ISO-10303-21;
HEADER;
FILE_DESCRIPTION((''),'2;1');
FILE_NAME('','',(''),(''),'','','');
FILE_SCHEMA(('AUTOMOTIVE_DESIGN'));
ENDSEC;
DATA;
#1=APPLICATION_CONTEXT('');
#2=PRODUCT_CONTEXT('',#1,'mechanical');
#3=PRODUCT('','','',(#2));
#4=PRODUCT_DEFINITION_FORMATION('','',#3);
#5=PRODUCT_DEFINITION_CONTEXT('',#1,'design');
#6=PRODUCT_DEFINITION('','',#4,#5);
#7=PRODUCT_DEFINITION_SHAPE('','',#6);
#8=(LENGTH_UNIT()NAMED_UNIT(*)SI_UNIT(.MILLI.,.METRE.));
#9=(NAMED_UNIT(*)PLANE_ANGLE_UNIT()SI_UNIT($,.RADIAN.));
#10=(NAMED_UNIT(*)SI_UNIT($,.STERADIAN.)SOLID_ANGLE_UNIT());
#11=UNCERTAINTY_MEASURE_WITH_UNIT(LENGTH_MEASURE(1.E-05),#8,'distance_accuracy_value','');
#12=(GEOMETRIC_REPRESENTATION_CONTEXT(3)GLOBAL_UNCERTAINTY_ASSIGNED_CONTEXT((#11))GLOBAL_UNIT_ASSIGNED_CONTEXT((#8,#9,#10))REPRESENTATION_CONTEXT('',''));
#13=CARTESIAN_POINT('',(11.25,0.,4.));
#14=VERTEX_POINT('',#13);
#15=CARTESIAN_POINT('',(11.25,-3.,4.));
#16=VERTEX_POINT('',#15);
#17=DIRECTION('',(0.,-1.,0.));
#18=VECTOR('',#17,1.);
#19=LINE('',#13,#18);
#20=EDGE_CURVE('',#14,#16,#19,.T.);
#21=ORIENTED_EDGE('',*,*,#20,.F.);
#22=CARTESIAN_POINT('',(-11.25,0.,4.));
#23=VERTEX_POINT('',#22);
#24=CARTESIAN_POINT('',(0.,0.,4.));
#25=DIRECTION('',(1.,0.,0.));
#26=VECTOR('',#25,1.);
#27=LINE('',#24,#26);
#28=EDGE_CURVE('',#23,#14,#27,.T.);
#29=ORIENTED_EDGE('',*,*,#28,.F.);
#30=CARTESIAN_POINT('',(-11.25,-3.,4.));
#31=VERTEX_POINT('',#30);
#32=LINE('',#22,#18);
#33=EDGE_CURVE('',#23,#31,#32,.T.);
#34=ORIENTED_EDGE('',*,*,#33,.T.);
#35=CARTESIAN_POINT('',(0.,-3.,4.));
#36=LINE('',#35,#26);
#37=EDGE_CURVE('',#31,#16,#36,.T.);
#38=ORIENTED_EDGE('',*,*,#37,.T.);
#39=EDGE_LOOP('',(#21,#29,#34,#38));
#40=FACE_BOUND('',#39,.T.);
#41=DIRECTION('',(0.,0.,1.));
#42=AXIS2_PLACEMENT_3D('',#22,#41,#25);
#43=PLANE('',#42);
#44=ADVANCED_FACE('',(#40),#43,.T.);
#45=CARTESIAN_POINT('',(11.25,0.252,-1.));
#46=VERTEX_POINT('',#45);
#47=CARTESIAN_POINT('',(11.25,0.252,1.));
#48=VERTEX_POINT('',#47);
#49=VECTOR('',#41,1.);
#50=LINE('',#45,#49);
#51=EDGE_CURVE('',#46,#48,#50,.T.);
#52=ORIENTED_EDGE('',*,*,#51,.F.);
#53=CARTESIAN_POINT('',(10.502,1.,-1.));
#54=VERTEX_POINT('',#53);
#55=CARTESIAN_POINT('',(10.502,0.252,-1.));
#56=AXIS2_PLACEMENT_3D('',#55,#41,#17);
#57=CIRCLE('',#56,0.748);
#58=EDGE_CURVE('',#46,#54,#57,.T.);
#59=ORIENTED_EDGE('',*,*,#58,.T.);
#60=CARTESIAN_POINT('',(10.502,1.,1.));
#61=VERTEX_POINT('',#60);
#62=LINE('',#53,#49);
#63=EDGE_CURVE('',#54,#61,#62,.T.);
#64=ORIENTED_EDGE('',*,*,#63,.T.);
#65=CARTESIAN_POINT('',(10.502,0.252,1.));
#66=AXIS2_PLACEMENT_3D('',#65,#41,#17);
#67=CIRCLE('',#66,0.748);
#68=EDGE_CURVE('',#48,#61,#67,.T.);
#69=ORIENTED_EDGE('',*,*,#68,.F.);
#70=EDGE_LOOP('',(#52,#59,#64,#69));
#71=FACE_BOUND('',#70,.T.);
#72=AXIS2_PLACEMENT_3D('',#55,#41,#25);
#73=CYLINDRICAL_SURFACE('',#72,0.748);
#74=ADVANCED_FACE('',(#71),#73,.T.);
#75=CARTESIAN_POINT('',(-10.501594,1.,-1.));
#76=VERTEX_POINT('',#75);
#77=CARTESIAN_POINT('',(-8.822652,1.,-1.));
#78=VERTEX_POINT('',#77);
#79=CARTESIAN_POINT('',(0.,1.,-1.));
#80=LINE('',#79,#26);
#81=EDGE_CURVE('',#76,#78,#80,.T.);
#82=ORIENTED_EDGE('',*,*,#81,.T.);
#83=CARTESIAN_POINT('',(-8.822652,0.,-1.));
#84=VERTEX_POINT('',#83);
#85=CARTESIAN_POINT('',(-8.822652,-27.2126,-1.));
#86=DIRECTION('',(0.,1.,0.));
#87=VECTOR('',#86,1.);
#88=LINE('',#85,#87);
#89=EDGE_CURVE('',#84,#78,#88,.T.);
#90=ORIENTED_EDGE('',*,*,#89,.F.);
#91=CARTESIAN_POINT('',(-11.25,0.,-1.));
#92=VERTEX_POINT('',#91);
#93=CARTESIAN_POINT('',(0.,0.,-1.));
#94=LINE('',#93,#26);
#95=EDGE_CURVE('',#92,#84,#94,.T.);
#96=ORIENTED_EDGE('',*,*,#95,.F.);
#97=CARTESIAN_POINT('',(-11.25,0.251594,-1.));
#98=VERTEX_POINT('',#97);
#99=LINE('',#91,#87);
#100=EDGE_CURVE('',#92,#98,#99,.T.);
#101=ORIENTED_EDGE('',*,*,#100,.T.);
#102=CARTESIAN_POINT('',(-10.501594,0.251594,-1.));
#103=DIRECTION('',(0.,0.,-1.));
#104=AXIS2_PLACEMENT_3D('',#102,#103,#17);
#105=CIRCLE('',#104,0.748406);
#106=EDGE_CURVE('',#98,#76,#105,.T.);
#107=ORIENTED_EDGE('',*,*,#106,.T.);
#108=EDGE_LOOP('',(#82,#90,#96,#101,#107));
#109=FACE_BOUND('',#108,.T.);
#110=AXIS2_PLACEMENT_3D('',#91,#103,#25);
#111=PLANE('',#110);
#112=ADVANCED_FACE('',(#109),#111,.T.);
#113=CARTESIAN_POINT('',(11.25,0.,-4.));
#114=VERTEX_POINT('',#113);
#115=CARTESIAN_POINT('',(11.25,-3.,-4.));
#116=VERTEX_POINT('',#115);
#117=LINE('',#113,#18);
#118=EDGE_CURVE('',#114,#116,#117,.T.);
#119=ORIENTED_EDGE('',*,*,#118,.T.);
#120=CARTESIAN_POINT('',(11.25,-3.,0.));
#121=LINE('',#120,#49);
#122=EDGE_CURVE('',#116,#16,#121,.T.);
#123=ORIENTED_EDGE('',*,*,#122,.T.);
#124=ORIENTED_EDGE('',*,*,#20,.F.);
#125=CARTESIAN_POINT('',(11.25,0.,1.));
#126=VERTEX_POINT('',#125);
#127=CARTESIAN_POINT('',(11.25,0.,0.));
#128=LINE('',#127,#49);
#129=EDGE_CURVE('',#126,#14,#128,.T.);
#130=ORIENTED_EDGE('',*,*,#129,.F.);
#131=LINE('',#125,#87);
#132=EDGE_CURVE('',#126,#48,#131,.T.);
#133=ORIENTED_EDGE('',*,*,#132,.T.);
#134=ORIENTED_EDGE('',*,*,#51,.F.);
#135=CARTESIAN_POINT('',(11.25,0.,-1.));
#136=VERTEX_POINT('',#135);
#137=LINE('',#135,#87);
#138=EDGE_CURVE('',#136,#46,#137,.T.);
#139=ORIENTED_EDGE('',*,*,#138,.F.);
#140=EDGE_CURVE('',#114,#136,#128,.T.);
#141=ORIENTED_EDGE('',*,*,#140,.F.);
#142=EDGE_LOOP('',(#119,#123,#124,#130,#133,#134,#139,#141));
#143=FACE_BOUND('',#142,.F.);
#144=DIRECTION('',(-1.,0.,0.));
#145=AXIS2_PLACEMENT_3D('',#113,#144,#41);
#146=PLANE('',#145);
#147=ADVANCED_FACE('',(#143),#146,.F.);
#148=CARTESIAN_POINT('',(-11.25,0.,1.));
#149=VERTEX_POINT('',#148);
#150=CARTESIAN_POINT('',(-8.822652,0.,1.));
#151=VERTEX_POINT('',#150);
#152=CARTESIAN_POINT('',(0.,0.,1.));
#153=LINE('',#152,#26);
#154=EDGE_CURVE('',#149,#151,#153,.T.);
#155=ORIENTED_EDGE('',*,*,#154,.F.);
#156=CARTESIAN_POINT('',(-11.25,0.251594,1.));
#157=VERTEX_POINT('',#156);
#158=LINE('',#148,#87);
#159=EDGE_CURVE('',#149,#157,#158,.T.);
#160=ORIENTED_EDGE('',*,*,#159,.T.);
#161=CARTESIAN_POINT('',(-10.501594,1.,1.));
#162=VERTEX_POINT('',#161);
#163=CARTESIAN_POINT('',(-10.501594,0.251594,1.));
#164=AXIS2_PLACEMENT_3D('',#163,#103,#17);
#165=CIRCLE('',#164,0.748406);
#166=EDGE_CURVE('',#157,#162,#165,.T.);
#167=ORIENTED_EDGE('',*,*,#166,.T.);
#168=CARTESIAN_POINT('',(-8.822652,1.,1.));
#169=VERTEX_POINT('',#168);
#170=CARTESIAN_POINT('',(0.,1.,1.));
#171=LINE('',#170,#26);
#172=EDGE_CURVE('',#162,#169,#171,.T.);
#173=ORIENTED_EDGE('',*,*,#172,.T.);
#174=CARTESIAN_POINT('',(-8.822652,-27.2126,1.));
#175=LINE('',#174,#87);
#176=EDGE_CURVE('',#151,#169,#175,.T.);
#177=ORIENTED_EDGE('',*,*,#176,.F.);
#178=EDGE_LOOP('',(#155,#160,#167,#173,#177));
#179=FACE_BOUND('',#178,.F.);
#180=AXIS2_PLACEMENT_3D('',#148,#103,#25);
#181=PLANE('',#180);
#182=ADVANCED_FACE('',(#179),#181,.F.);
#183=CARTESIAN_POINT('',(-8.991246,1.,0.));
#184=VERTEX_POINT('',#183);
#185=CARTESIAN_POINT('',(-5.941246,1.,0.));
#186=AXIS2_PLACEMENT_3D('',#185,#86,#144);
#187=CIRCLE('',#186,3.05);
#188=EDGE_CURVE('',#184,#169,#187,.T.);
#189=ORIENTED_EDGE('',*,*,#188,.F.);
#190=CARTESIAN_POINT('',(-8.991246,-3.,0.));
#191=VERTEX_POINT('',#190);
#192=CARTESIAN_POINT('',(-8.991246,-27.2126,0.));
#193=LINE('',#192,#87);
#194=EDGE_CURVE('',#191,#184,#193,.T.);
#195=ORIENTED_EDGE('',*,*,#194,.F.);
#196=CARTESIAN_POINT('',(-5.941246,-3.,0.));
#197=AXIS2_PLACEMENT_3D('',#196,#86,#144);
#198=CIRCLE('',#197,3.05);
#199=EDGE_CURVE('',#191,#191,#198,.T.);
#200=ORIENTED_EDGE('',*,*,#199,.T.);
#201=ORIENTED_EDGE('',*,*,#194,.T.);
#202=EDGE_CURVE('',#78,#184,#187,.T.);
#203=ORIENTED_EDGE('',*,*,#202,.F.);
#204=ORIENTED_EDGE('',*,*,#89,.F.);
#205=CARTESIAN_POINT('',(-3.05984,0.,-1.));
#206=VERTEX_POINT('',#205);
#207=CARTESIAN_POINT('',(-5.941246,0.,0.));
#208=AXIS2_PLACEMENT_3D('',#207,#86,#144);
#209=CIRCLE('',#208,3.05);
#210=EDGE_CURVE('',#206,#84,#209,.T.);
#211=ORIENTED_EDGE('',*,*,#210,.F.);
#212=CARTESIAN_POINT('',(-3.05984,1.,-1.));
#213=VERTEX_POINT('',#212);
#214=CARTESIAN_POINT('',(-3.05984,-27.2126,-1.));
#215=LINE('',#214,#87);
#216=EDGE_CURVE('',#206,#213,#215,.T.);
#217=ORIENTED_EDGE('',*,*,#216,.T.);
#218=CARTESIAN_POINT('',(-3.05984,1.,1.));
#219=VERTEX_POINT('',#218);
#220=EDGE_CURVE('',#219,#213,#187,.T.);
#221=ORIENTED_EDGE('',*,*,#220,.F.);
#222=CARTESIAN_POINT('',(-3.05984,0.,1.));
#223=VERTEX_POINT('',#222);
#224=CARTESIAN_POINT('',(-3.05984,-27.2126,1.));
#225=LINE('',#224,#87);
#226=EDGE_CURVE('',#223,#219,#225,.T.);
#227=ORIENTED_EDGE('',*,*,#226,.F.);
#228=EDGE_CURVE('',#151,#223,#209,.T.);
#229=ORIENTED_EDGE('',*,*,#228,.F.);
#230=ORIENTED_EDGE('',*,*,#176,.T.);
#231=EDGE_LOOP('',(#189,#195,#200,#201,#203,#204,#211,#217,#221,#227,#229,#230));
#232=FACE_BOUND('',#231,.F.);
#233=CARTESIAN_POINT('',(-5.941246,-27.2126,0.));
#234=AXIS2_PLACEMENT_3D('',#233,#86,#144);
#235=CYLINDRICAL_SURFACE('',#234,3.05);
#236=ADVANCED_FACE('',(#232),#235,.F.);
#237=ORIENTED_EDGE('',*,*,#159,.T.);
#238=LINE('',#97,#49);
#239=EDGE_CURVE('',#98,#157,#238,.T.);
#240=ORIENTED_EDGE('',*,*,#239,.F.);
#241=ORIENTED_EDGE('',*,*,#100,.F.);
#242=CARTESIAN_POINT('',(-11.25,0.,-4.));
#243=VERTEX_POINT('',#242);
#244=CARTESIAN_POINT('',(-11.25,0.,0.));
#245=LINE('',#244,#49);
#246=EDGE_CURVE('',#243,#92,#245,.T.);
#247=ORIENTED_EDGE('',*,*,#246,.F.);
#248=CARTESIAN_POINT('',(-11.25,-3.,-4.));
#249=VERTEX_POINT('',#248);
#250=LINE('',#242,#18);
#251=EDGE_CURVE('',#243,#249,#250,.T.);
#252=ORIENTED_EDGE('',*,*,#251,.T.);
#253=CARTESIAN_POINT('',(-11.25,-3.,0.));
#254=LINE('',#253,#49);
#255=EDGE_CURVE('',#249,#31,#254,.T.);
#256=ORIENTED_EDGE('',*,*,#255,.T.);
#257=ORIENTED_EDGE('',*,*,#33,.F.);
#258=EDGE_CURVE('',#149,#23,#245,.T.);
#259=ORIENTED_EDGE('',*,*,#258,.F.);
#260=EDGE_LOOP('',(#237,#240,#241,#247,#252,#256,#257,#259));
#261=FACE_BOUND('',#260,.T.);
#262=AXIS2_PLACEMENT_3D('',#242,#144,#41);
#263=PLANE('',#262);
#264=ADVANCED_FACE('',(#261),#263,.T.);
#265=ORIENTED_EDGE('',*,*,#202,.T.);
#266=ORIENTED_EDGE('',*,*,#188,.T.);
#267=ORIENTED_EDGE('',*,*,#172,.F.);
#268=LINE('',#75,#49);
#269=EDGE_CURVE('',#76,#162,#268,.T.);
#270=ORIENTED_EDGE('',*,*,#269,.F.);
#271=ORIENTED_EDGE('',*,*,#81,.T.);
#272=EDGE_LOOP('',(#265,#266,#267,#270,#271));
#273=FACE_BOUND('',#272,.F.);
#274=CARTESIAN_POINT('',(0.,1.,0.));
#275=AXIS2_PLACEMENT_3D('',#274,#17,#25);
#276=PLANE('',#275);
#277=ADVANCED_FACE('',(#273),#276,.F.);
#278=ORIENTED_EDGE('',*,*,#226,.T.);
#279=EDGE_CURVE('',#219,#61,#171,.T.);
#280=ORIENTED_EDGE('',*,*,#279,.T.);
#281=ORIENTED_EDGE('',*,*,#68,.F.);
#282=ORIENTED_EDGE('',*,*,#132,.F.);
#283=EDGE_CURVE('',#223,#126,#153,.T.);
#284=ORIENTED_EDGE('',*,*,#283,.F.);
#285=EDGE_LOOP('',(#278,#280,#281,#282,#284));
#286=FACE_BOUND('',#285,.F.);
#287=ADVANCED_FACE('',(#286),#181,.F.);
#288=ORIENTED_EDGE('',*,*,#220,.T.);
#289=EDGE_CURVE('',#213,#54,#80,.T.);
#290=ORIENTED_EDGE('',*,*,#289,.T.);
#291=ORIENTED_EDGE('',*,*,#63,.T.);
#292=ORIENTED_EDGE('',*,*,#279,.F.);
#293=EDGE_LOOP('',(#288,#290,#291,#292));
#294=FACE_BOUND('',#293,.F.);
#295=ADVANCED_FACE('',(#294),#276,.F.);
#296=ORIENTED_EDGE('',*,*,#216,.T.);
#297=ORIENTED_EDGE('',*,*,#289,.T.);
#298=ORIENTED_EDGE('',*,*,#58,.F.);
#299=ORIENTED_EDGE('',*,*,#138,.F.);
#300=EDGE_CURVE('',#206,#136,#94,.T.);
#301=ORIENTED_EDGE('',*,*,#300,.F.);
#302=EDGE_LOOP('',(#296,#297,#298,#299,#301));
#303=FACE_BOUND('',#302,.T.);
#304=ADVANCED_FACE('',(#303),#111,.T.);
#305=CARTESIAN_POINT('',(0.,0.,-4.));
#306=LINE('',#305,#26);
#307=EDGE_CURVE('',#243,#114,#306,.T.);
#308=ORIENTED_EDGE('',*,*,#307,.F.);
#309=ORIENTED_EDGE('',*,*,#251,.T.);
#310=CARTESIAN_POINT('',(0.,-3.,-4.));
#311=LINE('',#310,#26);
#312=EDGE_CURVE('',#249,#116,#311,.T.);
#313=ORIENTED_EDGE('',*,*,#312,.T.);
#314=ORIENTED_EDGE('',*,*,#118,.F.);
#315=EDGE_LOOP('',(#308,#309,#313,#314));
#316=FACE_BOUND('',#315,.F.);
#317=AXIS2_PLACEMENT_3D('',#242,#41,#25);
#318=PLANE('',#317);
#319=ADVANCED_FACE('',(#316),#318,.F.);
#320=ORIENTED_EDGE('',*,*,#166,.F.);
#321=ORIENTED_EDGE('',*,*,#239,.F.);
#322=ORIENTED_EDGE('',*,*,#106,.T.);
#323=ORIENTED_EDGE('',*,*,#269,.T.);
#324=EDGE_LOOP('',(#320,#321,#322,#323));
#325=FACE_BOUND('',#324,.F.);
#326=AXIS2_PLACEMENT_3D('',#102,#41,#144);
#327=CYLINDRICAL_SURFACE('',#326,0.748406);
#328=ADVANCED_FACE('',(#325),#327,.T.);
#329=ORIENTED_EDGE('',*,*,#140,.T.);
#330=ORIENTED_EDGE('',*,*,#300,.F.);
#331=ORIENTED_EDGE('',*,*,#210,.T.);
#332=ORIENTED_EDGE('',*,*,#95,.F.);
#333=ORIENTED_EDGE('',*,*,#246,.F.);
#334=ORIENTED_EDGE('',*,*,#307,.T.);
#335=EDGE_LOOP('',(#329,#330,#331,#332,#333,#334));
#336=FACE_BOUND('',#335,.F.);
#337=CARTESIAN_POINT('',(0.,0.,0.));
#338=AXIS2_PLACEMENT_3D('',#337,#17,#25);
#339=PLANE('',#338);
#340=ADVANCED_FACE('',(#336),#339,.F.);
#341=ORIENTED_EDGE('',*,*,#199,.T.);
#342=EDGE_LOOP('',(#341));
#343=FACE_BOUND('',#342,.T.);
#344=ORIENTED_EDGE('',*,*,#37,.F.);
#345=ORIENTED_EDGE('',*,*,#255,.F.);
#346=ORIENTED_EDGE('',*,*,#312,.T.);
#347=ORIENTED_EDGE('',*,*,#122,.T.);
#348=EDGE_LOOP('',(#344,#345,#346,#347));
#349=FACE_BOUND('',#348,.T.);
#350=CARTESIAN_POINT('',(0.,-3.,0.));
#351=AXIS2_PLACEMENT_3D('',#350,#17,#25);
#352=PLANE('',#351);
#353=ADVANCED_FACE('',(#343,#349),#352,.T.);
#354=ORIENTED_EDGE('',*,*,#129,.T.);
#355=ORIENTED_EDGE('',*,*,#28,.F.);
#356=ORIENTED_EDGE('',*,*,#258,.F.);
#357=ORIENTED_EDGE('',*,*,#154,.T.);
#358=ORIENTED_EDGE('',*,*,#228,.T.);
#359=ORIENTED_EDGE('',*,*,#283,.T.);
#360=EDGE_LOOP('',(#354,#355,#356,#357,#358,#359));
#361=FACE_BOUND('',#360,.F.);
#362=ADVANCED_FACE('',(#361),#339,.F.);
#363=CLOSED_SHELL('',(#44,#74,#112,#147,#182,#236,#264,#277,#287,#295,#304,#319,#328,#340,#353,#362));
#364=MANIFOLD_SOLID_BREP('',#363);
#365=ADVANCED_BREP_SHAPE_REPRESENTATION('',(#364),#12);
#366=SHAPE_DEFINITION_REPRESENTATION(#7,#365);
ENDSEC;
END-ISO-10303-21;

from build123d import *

# Parameters (mm, degrees)
F0_W     = 22.5
F0_H     = 8
F2_DEPTH = 3
F1_W     = 22.5
F1_H     = 2
F3_DEPTH = 1
F5_D     = 6.1
F6_R     = 0.748406
F7_R     = 0.748


with BuildPart() as f2:
    # F0 (on Front) → F2 (new body)
    with BuildSketch(Plane.XZ):
        Rectangle(F0_W, F0_H)
    extrude(amount=F2_DEPTH)

    # F1 (on Front) → F3 (join)
    with BuildSketch(Plane.XZ):
        Rectangle(F1_W, F1_H)
    extrude(amount=-F3_DEPTH)

    # F5 (through all)
    with Locations(Plane.XZ.offset(3)):
        with Locations((-5.941246, 0)):
            Hole(F5_D / 2)

    # F6
    f6_edges = [f2.edges().sort_by_distance(p)[0] for p in [
        (-11.25, 1, 0),
    ]]
    fillet(f6_edges, radius=F6_R)

    # F7
    f7_edges = [f2.edges().sort_by_distance(p)[0] for p in [
        (11.25, 1, 0),
    ]]
    fillet(f7_edges, radius=F7_R)


solid = f2.part
